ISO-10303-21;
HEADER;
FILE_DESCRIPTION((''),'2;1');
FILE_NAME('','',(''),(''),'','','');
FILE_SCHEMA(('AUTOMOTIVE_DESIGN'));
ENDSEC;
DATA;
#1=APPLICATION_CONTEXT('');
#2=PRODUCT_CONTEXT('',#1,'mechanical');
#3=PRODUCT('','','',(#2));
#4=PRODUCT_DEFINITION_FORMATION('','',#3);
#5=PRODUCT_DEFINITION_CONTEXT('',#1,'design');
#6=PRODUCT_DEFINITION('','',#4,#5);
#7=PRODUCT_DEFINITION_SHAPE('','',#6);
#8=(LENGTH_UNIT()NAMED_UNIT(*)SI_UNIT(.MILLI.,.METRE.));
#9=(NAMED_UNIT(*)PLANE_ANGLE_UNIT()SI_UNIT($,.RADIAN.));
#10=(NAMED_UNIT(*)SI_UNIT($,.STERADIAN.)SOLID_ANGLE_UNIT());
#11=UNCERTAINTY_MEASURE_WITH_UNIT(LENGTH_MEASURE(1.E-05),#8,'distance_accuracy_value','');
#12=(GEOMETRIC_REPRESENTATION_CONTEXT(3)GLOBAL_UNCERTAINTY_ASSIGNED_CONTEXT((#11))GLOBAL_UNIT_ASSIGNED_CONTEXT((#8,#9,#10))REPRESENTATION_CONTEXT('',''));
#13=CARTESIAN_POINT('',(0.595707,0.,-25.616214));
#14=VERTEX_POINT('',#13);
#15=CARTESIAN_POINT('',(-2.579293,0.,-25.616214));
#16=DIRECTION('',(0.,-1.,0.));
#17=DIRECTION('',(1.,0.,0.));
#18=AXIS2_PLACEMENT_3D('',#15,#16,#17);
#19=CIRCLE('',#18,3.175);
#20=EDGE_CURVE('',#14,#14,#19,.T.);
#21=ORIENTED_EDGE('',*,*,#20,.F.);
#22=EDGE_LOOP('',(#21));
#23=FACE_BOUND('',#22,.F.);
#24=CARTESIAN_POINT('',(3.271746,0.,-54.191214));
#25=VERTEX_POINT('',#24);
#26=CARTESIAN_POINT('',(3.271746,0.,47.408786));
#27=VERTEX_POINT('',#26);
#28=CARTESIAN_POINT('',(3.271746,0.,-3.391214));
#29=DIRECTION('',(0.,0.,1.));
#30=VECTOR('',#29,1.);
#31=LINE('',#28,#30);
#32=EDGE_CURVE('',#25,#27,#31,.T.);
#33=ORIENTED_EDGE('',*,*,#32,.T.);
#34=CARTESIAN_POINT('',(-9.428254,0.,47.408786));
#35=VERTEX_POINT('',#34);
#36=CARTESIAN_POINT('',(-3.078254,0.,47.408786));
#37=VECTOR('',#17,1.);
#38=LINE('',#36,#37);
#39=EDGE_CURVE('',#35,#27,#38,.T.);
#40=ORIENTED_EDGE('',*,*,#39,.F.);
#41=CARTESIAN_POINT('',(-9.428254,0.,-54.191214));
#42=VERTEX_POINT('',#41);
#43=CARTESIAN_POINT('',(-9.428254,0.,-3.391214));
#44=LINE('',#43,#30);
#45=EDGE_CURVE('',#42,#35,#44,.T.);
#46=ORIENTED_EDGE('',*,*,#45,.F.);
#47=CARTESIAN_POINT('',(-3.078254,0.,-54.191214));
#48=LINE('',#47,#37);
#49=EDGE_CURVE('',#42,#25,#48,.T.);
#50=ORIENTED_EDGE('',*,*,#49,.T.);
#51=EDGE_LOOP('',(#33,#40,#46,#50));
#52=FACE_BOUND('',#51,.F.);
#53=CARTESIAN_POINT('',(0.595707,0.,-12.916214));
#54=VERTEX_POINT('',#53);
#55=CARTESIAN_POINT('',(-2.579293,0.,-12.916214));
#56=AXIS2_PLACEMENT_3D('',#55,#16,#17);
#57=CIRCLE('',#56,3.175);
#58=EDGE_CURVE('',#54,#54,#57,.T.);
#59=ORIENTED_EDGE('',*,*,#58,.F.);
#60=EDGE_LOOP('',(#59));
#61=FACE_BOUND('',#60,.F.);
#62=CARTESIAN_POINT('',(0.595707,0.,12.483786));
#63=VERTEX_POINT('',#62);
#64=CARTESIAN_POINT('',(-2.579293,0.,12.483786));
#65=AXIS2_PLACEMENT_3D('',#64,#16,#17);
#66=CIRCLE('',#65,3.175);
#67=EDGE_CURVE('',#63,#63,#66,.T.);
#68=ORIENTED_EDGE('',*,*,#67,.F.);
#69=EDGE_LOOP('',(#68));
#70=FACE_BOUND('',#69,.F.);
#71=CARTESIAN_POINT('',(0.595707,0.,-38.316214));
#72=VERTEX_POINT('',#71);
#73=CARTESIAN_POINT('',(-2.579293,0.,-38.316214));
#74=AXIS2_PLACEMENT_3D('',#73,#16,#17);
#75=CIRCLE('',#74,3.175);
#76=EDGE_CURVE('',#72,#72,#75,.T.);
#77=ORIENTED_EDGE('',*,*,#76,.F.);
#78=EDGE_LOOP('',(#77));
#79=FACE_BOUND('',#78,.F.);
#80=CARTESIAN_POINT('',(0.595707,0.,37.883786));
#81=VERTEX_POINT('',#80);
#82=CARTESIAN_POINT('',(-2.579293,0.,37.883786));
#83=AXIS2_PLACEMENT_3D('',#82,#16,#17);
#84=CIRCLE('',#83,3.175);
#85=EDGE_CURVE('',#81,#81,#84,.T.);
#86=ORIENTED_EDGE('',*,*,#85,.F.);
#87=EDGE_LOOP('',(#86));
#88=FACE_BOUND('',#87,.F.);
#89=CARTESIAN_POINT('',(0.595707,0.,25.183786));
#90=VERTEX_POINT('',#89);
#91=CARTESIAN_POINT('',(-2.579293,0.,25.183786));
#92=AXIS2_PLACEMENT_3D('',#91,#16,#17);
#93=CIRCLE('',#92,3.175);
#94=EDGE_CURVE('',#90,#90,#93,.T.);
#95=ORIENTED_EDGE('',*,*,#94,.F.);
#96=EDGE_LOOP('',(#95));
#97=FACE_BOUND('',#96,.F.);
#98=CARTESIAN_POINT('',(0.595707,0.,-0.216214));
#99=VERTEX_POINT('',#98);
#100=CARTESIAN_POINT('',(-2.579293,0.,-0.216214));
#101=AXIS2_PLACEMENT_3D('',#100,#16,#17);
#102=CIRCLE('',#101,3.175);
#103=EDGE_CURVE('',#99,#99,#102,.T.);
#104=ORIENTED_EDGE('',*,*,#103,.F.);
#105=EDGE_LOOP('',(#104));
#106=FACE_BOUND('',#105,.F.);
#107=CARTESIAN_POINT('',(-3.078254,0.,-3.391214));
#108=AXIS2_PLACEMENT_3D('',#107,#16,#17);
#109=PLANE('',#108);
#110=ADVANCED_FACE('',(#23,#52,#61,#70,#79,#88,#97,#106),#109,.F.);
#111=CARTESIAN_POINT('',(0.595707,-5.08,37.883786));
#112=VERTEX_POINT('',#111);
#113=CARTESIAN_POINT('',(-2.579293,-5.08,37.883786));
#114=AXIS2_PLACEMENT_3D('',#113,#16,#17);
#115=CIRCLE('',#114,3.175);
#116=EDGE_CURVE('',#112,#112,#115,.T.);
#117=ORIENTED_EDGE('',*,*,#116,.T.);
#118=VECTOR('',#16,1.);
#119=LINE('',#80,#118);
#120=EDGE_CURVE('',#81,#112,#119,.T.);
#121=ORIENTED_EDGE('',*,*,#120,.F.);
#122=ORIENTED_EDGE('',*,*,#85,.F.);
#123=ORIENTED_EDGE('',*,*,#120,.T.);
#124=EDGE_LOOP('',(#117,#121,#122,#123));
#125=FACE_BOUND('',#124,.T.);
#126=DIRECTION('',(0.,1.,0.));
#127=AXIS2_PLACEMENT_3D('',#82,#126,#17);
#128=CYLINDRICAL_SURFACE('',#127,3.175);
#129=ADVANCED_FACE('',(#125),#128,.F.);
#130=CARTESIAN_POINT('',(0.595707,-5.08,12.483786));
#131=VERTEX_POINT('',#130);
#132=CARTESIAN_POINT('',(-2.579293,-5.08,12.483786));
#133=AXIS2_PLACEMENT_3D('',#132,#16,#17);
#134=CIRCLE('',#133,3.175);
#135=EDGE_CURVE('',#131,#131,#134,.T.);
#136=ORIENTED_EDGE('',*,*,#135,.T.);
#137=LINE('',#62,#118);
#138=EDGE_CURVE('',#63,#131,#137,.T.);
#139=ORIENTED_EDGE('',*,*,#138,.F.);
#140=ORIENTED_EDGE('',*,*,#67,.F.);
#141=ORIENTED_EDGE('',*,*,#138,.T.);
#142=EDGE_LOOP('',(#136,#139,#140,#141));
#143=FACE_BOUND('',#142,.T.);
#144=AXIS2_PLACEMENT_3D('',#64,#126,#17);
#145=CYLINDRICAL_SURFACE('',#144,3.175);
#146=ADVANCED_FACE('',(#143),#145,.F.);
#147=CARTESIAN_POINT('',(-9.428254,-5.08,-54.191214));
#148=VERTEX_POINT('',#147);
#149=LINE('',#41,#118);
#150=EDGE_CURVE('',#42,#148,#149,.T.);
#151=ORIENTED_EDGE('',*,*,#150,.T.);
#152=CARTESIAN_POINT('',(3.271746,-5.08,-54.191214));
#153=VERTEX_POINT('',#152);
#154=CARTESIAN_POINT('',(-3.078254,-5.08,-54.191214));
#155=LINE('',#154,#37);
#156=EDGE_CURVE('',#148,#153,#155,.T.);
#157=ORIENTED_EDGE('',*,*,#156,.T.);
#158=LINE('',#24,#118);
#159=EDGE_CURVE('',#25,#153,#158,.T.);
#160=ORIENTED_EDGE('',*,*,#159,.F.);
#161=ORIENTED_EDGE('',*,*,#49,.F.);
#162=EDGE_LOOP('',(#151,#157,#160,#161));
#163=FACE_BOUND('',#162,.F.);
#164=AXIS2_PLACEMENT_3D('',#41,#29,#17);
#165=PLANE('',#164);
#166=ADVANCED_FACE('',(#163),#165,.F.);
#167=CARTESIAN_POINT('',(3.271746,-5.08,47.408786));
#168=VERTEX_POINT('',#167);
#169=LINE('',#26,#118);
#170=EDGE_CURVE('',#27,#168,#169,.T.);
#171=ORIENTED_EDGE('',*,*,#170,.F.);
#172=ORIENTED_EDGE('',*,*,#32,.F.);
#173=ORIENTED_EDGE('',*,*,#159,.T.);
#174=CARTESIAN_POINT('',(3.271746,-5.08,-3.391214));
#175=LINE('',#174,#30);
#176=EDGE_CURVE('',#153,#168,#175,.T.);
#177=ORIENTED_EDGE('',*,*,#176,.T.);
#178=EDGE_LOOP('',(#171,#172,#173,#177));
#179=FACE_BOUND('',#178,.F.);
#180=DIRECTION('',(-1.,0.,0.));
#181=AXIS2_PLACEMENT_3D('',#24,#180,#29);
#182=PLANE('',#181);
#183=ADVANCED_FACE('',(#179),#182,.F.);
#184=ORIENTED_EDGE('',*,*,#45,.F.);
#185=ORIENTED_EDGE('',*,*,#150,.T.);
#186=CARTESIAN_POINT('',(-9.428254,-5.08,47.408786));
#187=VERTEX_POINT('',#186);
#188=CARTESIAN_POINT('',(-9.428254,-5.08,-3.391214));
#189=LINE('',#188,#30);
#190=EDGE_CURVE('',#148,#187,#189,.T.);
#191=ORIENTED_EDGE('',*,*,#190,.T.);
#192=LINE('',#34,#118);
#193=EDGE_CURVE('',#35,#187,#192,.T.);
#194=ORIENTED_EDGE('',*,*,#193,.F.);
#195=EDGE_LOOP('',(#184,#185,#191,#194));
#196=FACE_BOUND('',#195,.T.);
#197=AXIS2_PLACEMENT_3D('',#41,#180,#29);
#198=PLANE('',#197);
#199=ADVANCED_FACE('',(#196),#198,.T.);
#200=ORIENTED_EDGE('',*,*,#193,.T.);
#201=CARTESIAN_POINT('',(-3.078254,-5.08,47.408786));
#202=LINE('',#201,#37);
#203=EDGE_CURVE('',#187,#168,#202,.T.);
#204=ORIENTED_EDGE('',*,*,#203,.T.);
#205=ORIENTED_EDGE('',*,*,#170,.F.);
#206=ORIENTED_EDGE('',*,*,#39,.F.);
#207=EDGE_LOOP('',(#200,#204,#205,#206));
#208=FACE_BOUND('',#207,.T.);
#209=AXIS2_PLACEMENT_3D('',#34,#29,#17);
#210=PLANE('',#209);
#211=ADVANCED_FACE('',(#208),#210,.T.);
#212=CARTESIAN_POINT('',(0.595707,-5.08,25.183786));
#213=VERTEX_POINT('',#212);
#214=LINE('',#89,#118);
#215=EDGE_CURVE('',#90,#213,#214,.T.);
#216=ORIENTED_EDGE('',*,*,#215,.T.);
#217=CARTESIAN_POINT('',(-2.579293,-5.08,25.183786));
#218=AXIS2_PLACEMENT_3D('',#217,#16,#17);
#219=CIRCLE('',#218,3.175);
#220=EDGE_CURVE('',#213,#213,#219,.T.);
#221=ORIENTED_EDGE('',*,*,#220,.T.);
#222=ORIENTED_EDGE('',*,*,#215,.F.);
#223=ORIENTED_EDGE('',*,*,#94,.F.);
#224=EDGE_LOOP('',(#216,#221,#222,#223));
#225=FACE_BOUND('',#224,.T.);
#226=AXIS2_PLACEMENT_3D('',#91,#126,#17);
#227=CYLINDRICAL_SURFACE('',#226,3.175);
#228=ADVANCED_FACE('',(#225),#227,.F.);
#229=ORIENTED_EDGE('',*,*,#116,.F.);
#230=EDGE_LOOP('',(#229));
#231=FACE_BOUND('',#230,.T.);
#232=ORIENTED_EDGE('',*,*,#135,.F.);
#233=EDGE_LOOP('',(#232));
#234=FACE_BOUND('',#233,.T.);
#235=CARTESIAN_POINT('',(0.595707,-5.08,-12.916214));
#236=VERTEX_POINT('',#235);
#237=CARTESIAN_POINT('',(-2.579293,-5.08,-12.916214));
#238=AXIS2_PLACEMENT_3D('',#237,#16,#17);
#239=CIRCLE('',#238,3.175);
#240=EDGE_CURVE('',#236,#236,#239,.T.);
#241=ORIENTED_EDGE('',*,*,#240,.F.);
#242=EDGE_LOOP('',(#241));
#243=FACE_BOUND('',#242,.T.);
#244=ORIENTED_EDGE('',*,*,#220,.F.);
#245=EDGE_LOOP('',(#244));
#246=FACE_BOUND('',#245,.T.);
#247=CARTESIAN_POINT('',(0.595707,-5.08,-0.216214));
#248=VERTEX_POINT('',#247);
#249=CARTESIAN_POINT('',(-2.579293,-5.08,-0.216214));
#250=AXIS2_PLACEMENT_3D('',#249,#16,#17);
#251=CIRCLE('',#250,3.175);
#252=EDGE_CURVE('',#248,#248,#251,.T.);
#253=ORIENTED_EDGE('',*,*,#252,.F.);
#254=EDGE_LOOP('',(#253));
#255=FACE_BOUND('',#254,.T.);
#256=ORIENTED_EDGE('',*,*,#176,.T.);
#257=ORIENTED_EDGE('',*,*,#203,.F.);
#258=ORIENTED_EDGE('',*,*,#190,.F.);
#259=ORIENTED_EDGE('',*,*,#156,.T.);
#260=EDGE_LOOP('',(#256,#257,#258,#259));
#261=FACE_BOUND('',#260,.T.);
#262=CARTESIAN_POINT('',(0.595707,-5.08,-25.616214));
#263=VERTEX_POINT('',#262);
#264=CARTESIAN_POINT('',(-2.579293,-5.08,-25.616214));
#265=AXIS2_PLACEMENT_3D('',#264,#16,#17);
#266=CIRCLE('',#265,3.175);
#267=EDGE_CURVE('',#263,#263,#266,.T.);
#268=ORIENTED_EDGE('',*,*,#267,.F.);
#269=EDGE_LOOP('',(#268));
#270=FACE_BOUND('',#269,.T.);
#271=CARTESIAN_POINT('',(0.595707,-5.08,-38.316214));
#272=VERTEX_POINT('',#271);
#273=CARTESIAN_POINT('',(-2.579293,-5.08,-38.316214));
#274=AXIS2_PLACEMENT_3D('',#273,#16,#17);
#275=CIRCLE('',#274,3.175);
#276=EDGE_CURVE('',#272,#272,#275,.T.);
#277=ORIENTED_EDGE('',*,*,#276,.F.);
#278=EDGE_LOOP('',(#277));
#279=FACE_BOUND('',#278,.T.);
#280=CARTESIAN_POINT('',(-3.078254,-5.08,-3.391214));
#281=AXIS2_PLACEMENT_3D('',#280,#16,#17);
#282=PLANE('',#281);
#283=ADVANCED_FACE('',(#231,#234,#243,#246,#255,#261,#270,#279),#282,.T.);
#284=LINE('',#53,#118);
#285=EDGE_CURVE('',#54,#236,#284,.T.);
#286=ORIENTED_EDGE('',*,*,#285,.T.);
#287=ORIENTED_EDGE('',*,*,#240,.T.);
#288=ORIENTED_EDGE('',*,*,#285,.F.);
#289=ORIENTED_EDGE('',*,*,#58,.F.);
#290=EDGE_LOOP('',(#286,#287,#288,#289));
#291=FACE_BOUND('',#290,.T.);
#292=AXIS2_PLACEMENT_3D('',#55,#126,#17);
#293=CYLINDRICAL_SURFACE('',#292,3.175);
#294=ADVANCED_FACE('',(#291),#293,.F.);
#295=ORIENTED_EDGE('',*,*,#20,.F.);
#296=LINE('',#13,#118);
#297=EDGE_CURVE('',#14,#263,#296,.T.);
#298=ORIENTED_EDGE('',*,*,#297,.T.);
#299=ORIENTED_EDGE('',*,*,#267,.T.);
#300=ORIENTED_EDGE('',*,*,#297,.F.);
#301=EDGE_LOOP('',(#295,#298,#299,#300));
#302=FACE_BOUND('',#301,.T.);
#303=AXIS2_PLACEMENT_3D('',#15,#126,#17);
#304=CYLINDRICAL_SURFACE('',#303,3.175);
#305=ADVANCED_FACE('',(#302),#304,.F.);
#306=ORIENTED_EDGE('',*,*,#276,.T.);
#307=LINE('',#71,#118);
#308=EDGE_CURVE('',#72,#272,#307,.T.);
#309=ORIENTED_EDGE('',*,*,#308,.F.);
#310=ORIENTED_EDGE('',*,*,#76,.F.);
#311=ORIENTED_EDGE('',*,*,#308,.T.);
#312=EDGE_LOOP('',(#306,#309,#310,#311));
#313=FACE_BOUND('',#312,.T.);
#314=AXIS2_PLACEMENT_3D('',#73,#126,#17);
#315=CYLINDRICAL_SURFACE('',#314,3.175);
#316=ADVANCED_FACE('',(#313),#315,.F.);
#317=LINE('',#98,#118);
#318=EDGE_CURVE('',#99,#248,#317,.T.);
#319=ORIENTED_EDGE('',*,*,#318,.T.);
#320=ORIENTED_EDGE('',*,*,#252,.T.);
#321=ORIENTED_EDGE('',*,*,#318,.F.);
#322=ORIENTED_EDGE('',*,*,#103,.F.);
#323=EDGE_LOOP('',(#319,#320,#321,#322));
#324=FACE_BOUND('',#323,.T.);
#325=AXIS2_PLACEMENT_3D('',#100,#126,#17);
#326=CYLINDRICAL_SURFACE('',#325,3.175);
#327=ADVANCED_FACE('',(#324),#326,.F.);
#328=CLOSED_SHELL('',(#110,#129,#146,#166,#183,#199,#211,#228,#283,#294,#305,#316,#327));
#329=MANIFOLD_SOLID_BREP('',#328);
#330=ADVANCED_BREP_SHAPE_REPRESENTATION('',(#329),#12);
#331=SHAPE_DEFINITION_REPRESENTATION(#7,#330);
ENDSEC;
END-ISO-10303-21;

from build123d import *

# Parameters (mm, degrees)
F0_W     = 12.7
F0_H     = 101.6
F0_R     = 3.175
F1_DEPTH = 5.08


with BuildPart() as f1:
    # F0 (on Front) → F1 (new body)
    with BuildSketch(Plane.XZ):
        with Locations((-3.078254, -3.391214)):
            Rectangle(F0_W, F0_H)
        with Locations((-2.579293, -38.316214)):
            Circle(F0_R, mode=Mode.SUBTRACT)
        with Locations((-2.579293, -25.616214)):
            Circle(F0_R, mode=Mode.SUBTRACT)
        with Locations((-2.579293, -12.916214)):
            Circle(F0_R, mode=Mode.SUBTRACT)
        with Locations((-2.579293, -0.216214)):
            Circle(F0_R, mode=Mode.SUBTRACT)
        with Locations((-2.579293, 12.483786)):
            Circle(F0_R, mode=Mode.SUBTRACT)
        with Locations((-2.579293, 25.183786)):
            Circle(F0_R, mode=Mode.SUBTRACT)
        with Locations((-2.579293, 37.883786)):
            Circle(F0_R, mode=Mode.SUBTRACT)
    extrude(amount=F1_DEPTH)


solid = f1.part
